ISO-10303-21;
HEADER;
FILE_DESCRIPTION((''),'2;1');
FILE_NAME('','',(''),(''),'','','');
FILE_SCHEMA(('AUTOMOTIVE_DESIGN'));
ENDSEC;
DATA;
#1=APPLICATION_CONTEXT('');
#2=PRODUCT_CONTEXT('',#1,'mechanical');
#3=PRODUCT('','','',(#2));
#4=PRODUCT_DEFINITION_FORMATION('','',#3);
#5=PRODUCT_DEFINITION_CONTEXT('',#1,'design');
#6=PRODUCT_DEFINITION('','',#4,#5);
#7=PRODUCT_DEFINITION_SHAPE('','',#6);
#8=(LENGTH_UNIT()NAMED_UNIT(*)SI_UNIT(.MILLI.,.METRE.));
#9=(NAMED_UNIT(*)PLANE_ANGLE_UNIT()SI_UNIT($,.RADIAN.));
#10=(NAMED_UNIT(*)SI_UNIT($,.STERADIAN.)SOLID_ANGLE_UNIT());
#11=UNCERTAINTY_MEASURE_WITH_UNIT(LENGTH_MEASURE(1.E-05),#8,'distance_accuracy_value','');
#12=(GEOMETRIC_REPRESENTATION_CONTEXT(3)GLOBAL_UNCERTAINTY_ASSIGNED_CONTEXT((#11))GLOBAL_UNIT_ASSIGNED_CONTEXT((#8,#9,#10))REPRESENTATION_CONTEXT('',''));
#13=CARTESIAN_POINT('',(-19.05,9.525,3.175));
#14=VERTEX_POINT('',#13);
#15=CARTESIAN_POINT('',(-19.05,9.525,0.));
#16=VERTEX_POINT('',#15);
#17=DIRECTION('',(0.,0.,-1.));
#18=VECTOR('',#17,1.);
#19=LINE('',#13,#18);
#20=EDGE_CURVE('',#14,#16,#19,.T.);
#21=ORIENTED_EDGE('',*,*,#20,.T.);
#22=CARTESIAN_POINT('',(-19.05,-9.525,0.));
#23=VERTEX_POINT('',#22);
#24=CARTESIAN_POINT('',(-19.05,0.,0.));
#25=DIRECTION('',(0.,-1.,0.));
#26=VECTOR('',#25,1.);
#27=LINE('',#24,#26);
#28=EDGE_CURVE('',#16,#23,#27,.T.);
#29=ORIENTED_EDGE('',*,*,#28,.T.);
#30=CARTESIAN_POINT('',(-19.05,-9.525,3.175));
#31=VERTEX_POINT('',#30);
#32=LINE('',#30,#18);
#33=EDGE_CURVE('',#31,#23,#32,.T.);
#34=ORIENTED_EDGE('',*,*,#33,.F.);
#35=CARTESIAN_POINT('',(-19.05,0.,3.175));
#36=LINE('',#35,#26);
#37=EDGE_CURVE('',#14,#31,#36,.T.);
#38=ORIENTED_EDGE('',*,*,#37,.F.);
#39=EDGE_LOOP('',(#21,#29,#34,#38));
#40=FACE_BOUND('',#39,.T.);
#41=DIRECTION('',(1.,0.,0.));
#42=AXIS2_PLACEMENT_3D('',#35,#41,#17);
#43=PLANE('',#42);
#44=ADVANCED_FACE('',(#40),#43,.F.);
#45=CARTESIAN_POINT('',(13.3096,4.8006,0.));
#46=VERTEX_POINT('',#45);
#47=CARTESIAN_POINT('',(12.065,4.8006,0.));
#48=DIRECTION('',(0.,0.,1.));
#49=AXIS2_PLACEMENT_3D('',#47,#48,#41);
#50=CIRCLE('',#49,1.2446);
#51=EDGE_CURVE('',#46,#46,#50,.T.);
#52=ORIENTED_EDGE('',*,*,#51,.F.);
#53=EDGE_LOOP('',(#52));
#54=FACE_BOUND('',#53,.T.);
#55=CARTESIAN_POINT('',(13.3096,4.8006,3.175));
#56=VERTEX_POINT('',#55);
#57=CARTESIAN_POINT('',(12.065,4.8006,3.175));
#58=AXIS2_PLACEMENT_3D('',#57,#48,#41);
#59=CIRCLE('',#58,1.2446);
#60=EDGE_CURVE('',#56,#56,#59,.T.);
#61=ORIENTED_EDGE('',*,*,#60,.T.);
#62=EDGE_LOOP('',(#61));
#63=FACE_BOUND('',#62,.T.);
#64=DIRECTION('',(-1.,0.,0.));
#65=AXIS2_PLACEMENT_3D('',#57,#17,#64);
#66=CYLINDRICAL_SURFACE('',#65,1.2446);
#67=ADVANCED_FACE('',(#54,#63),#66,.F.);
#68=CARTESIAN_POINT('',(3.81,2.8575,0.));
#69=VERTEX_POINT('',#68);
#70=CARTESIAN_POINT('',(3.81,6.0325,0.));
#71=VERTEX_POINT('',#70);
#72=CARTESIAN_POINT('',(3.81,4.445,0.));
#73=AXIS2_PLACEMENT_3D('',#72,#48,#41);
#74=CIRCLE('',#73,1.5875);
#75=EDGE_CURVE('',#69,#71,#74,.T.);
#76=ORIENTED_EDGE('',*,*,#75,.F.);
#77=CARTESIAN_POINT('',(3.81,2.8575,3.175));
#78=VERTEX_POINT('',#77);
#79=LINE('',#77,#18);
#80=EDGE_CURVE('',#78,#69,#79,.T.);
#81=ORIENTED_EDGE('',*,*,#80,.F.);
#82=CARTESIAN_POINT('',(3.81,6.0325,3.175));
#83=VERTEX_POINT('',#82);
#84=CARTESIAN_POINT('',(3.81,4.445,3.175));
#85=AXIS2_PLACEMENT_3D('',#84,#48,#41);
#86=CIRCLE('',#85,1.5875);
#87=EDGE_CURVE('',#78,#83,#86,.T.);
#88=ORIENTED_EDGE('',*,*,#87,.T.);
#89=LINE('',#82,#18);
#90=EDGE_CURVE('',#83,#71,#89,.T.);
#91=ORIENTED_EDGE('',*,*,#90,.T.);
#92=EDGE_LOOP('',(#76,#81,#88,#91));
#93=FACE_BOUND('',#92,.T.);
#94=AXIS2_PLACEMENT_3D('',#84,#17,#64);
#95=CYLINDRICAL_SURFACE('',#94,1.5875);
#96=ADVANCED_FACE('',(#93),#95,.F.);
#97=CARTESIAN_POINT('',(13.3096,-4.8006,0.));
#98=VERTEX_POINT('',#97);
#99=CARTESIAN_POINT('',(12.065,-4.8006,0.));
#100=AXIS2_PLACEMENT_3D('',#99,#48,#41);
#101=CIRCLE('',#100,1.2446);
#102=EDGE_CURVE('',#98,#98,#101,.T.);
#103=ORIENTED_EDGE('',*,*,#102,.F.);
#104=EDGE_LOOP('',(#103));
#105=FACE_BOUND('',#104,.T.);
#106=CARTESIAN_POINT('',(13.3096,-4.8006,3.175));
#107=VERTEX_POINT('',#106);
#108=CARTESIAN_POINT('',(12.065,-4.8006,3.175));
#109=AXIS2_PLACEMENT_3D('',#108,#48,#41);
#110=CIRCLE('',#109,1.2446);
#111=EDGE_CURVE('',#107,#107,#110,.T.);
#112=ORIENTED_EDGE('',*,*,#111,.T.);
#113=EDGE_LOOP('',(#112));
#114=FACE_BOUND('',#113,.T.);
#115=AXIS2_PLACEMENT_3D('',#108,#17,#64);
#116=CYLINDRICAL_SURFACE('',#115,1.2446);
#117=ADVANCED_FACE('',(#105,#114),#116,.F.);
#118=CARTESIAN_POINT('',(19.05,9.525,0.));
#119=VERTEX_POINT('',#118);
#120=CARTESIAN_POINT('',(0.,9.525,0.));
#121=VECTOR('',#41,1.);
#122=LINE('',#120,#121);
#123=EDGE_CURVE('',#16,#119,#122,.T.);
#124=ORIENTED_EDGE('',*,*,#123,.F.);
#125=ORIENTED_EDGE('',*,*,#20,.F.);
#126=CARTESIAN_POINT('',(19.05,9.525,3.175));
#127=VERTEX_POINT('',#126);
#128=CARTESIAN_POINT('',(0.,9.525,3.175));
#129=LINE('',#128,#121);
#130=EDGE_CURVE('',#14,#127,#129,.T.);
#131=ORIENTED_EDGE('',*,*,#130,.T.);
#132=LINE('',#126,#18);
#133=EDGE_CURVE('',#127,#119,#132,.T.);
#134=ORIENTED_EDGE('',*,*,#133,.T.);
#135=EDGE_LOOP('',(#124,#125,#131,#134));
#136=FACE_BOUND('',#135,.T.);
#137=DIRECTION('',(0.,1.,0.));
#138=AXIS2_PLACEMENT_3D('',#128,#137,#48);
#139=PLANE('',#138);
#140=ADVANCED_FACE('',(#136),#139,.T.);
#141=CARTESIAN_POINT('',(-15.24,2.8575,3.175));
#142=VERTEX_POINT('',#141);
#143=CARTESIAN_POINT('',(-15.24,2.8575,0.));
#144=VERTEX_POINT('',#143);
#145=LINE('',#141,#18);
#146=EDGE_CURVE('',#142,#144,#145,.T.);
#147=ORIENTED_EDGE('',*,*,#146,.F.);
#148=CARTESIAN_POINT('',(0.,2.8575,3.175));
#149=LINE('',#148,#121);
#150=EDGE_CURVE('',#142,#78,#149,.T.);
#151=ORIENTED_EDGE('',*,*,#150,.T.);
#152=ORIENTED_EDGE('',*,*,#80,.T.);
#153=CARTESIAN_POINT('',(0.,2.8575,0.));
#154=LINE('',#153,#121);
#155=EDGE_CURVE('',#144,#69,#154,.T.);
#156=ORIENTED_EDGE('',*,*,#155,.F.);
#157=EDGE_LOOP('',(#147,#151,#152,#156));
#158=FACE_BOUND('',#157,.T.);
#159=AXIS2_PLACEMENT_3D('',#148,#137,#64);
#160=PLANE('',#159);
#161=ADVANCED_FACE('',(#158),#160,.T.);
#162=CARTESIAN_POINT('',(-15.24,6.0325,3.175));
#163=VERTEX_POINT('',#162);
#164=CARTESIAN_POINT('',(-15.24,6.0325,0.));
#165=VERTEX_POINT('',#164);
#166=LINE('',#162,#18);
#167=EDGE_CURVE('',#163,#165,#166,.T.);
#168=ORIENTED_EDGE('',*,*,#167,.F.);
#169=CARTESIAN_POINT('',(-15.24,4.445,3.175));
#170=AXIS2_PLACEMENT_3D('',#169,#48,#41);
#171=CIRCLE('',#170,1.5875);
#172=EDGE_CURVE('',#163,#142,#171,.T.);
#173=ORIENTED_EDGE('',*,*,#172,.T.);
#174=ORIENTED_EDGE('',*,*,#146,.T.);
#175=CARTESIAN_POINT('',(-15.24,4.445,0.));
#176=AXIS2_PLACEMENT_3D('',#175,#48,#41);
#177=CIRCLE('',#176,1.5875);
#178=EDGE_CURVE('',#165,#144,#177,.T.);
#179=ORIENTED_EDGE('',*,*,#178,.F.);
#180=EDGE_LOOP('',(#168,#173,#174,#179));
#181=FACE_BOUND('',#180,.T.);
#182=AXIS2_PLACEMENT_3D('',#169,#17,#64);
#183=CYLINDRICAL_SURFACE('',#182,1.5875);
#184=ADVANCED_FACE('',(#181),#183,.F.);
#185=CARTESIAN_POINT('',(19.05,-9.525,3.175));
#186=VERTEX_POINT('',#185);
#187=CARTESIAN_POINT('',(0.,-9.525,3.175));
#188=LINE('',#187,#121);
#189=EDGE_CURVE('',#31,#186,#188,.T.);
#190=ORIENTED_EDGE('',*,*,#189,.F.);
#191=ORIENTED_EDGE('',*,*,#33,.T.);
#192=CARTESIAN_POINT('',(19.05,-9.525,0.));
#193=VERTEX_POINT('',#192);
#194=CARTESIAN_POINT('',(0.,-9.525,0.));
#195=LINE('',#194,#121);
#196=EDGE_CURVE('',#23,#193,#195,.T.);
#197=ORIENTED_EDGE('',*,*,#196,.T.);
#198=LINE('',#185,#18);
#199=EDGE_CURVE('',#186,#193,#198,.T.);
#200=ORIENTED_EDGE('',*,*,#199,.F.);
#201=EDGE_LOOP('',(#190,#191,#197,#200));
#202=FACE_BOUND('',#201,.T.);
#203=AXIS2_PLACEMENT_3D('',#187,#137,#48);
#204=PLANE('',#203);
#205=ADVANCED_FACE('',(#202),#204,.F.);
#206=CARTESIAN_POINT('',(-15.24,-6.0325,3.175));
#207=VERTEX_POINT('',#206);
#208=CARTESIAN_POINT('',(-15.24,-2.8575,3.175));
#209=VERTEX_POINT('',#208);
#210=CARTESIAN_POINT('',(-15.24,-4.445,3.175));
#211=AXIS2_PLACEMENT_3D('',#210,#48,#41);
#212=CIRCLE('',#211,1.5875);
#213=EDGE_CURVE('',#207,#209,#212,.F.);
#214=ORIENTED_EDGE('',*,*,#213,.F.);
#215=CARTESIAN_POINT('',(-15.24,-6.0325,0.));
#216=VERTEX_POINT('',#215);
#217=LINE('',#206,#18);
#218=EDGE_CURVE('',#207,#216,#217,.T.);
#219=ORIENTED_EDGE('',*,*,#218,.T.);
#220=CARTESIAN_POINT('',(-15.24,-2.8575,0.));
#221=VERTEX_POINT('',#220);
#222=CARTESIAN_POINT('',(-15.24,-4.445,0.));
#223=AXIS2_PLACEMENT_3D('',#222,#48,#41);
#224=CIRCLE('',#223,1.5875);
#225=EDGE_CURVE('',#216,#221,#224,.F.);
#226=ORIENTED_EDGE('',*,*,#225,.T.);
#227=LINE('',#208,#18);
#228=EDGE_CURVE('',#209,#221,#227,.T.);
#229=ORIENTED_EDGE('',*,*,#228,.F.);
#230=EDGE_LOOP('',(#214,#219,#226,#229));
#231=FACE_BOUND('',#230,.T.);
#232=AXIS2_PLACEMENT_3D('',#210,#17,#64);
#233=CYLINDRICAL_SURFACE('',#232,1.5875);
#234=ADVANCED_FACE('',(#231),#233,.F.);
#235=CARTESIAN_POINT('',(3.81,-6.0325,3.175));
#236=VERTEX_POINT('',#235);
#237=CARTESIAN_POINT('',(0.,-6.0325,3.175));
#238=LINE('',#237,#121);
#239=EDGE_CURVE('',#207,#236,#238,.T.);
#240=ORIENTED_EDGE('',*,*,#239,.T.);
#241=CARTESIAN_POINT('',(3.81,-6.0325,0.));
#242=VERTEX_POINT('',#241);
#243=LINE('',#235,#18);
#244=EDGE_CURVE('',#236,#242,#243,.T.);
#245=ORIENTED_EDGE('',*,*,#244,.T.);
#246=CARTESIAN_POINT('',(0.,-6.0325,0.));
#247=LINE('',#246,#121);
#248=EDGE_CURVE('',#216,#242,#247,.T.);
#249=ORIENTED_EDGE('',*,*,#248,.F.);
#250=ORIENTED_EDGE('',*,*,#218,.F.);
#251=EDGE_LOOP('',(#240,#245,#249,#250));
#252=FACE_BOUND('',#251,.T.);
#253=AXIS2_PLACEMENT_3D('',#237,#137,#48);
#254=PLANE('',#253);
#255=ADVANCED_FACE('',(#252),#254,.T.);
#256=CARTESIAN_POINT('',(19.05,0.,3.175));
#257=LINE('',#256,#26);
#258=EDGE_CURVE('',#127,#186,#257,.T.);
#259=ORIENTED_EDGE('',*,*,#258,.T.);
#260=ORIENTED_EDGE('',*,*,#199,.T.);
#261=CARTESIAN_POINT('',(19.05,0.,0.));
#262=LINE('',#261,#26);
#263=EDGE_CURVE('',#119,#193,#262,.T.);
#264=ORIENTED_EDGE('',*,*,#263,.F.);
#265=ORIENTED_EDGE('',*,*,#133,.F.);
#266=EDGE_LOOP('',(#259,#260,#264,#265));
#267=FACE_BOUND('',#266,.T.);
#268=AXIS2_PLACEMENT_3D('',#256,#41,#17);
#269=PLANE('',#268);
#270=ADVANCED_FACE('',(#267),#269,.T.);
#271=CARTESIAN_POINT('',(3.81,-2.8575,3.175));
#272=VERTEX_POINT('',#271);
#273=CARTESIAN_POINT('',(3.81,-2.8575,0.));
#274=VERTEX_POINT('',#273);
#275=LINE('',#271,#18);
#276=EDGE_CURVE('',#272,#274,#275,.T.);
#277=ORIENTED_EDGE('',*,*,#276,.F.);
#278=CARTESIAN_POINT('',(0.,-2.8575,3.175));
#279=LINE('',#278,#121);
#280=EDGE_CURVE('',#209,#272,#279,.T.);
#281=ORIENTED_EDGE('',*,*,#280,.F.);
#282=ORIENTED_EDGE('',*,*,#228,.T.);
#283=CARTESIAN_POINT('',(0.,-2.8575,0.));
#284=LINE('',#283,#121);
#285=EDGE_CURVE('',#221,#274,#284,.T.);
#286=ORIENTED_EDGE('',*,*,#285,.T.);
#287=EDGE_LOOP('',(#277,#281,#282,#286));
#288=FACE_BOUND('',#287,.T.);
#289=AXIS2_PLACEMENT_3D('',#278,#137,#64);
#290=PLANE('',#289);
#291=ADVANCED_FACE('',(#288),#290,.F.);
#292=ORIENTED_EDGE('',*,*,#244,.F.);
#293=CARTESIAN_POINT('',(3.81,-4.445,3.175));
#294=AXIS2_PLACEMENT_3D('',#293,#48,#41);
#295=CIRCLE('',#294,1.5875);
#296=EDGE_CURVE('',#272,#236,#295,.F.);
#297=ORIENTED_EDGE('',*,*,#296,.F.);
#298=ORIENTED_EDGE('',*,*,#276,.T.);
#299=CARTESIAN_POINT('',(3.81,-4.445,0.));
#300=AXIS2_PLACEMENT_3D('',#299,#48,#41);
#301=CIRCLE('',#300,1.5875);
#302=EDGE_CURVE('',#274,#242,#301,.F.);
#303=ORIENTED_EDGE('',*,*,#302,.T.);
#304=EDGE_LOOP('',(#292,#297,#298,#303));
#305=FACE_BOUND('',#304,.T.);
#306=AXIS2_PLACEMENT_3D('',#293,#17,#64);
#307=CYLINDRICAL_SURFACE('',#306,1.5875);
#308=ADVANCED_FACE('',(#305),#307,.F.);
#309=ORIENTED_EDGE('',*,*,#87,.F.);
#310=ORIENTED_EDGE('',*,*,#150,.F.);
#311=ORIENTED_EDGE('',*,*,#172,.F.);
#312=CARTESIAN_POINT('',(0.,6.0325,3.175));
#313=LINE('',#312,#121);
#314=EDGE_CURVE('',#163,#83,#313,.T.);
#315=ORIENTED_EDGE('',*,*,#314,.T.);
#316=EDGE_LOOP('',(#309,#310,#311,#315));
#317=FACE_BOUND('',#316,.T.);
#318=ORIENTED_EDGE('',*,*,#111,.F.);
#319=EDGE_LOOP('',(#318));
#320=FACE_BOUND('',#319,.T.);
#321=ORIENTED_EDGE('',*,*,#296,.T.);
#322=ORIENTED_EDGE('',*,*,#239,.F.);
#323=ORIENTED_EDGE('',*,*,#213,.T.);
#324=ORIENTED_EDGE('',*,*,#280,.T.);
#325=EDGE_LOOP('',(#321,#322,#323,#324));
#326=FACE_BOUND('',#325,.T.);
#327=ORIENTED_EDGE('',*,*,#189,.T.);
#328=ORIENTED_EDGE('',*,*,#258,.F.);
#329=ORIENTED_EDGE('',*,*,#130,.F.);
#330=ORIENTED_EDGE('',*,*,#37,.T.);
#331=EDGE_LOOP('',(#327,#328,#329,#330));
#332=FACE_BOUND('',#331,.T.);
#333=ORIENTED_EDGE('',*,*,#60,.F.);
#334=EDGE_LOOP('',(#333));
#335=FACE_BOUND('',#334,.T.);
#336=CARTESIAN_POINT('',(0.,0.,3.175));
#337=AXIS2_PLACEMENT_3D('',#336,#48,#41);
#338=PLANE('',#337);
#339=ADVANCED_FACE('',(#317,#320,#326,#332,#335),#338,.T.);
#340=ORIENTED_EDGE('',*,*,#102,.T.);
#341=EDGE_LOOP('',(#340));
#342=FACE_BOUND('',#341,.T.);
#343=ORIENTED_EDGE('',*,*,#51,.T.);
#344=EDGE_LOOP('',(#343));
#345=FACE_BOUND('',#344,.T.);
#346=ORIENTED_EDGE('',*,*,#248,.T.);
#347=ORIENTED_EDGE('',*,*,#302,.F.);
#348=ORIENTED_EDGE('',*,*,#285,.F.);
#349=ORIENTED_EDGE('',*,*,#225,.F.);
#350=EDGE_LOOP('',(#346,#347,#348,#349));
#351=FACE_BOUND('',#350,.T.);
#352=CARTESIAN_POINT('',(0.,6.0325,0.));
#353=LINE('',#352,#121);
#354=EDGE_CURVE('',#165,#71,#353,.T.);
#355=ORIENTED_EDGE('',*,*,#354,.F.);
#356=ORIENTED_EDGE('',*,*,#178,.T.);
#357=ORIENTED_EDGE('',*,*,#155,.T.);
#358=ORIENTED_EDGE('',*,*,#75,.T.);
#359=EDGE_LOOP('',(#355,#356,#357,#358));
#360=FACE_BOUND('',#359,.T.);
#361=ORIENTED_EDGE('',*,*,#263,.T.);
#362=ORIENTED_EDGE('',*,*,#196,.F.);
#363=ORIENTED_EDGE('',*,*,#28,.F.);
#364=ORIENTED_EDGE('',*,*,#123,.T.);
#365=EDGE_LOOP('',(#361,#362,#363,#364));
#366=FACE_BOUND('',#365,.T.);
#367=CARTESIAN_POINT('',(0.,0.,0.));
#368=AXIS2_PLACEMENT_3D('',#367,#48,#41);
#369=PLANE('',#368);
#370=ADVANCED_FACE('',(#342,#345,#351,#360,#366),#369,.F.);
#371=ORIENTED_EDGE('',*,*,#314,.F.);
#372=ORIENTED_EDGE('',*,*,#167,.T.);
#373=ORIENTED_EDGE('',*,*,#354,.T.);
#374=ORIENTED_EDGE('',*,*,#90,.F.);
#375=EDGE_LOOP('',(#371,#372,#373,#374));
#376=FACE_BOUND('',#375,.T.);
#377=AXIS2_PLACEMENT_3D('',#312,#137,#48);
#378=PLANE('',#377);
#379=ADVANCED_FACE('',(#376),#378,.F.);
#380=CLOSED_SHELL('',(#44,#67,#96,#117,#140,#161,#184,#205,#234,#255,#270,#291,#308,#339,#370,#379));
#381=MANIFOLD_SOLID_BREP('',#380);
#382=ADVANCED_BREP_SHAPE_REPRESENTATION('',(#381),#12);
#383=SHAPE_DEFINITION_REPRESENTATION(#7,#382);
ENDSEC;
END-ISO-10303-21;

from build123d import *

# Parameters (mm, degrees)
SKETCH1_W           = 38.1
SKETCH1_H           = 19.05
SKETCH1_R           = 1.2446
BOSS_EXTRUDE1_DEPTH = 3.175


with BuildPart() as part:
    # Sketch1 → Boss-Extrude1 (new body)
    with BuildSketch(Plane.XY):
        Rectangle(SKETCH1_W, SKETCH1_H)
        with BuildLine():
            Line((-15.24, -2.8575), (3.81, -2.8575))
            ThreePointArc((3.81, -2.8575), (5.3975, -4.445), (3.81, -6.0325))
            Line((3.81, -6.0325), (-15.24, -6.0325))
            ThreePointArc((-15.24, -6.0325), (-16.8275, -4.445), (-15.24, -2.8575))
        make_face(mode=Mode.SUBTRACT)
        with Locations((12.065, -4.8006)):
            Circle(SKETCH1_R, mode=Mode.SUBTRACT)
        with Locations((12.065, 4.8006)):
            Circle(SKETCH1_R, mode=Mode.SUBTRACT)
        with BuildLine():
            ThreePointArc((3.81, 6.0325), (5.3975, 4.445), (3.81, 2.8575))
            Line((3.81, 2.8575), (-15.24, 2.8575))
            ThreePointArc((-15.24, 2.8575), (-16.8275, 4.445), (-15.24, 6.0325))
            Line((-15.24, 6.0325), (3.81, 6.0325))
        make_face(mode=Mode.SUBTRACT)
    extrude(amount=BOSS_EXTRUDE1_DEPTH)


solid = part.part
